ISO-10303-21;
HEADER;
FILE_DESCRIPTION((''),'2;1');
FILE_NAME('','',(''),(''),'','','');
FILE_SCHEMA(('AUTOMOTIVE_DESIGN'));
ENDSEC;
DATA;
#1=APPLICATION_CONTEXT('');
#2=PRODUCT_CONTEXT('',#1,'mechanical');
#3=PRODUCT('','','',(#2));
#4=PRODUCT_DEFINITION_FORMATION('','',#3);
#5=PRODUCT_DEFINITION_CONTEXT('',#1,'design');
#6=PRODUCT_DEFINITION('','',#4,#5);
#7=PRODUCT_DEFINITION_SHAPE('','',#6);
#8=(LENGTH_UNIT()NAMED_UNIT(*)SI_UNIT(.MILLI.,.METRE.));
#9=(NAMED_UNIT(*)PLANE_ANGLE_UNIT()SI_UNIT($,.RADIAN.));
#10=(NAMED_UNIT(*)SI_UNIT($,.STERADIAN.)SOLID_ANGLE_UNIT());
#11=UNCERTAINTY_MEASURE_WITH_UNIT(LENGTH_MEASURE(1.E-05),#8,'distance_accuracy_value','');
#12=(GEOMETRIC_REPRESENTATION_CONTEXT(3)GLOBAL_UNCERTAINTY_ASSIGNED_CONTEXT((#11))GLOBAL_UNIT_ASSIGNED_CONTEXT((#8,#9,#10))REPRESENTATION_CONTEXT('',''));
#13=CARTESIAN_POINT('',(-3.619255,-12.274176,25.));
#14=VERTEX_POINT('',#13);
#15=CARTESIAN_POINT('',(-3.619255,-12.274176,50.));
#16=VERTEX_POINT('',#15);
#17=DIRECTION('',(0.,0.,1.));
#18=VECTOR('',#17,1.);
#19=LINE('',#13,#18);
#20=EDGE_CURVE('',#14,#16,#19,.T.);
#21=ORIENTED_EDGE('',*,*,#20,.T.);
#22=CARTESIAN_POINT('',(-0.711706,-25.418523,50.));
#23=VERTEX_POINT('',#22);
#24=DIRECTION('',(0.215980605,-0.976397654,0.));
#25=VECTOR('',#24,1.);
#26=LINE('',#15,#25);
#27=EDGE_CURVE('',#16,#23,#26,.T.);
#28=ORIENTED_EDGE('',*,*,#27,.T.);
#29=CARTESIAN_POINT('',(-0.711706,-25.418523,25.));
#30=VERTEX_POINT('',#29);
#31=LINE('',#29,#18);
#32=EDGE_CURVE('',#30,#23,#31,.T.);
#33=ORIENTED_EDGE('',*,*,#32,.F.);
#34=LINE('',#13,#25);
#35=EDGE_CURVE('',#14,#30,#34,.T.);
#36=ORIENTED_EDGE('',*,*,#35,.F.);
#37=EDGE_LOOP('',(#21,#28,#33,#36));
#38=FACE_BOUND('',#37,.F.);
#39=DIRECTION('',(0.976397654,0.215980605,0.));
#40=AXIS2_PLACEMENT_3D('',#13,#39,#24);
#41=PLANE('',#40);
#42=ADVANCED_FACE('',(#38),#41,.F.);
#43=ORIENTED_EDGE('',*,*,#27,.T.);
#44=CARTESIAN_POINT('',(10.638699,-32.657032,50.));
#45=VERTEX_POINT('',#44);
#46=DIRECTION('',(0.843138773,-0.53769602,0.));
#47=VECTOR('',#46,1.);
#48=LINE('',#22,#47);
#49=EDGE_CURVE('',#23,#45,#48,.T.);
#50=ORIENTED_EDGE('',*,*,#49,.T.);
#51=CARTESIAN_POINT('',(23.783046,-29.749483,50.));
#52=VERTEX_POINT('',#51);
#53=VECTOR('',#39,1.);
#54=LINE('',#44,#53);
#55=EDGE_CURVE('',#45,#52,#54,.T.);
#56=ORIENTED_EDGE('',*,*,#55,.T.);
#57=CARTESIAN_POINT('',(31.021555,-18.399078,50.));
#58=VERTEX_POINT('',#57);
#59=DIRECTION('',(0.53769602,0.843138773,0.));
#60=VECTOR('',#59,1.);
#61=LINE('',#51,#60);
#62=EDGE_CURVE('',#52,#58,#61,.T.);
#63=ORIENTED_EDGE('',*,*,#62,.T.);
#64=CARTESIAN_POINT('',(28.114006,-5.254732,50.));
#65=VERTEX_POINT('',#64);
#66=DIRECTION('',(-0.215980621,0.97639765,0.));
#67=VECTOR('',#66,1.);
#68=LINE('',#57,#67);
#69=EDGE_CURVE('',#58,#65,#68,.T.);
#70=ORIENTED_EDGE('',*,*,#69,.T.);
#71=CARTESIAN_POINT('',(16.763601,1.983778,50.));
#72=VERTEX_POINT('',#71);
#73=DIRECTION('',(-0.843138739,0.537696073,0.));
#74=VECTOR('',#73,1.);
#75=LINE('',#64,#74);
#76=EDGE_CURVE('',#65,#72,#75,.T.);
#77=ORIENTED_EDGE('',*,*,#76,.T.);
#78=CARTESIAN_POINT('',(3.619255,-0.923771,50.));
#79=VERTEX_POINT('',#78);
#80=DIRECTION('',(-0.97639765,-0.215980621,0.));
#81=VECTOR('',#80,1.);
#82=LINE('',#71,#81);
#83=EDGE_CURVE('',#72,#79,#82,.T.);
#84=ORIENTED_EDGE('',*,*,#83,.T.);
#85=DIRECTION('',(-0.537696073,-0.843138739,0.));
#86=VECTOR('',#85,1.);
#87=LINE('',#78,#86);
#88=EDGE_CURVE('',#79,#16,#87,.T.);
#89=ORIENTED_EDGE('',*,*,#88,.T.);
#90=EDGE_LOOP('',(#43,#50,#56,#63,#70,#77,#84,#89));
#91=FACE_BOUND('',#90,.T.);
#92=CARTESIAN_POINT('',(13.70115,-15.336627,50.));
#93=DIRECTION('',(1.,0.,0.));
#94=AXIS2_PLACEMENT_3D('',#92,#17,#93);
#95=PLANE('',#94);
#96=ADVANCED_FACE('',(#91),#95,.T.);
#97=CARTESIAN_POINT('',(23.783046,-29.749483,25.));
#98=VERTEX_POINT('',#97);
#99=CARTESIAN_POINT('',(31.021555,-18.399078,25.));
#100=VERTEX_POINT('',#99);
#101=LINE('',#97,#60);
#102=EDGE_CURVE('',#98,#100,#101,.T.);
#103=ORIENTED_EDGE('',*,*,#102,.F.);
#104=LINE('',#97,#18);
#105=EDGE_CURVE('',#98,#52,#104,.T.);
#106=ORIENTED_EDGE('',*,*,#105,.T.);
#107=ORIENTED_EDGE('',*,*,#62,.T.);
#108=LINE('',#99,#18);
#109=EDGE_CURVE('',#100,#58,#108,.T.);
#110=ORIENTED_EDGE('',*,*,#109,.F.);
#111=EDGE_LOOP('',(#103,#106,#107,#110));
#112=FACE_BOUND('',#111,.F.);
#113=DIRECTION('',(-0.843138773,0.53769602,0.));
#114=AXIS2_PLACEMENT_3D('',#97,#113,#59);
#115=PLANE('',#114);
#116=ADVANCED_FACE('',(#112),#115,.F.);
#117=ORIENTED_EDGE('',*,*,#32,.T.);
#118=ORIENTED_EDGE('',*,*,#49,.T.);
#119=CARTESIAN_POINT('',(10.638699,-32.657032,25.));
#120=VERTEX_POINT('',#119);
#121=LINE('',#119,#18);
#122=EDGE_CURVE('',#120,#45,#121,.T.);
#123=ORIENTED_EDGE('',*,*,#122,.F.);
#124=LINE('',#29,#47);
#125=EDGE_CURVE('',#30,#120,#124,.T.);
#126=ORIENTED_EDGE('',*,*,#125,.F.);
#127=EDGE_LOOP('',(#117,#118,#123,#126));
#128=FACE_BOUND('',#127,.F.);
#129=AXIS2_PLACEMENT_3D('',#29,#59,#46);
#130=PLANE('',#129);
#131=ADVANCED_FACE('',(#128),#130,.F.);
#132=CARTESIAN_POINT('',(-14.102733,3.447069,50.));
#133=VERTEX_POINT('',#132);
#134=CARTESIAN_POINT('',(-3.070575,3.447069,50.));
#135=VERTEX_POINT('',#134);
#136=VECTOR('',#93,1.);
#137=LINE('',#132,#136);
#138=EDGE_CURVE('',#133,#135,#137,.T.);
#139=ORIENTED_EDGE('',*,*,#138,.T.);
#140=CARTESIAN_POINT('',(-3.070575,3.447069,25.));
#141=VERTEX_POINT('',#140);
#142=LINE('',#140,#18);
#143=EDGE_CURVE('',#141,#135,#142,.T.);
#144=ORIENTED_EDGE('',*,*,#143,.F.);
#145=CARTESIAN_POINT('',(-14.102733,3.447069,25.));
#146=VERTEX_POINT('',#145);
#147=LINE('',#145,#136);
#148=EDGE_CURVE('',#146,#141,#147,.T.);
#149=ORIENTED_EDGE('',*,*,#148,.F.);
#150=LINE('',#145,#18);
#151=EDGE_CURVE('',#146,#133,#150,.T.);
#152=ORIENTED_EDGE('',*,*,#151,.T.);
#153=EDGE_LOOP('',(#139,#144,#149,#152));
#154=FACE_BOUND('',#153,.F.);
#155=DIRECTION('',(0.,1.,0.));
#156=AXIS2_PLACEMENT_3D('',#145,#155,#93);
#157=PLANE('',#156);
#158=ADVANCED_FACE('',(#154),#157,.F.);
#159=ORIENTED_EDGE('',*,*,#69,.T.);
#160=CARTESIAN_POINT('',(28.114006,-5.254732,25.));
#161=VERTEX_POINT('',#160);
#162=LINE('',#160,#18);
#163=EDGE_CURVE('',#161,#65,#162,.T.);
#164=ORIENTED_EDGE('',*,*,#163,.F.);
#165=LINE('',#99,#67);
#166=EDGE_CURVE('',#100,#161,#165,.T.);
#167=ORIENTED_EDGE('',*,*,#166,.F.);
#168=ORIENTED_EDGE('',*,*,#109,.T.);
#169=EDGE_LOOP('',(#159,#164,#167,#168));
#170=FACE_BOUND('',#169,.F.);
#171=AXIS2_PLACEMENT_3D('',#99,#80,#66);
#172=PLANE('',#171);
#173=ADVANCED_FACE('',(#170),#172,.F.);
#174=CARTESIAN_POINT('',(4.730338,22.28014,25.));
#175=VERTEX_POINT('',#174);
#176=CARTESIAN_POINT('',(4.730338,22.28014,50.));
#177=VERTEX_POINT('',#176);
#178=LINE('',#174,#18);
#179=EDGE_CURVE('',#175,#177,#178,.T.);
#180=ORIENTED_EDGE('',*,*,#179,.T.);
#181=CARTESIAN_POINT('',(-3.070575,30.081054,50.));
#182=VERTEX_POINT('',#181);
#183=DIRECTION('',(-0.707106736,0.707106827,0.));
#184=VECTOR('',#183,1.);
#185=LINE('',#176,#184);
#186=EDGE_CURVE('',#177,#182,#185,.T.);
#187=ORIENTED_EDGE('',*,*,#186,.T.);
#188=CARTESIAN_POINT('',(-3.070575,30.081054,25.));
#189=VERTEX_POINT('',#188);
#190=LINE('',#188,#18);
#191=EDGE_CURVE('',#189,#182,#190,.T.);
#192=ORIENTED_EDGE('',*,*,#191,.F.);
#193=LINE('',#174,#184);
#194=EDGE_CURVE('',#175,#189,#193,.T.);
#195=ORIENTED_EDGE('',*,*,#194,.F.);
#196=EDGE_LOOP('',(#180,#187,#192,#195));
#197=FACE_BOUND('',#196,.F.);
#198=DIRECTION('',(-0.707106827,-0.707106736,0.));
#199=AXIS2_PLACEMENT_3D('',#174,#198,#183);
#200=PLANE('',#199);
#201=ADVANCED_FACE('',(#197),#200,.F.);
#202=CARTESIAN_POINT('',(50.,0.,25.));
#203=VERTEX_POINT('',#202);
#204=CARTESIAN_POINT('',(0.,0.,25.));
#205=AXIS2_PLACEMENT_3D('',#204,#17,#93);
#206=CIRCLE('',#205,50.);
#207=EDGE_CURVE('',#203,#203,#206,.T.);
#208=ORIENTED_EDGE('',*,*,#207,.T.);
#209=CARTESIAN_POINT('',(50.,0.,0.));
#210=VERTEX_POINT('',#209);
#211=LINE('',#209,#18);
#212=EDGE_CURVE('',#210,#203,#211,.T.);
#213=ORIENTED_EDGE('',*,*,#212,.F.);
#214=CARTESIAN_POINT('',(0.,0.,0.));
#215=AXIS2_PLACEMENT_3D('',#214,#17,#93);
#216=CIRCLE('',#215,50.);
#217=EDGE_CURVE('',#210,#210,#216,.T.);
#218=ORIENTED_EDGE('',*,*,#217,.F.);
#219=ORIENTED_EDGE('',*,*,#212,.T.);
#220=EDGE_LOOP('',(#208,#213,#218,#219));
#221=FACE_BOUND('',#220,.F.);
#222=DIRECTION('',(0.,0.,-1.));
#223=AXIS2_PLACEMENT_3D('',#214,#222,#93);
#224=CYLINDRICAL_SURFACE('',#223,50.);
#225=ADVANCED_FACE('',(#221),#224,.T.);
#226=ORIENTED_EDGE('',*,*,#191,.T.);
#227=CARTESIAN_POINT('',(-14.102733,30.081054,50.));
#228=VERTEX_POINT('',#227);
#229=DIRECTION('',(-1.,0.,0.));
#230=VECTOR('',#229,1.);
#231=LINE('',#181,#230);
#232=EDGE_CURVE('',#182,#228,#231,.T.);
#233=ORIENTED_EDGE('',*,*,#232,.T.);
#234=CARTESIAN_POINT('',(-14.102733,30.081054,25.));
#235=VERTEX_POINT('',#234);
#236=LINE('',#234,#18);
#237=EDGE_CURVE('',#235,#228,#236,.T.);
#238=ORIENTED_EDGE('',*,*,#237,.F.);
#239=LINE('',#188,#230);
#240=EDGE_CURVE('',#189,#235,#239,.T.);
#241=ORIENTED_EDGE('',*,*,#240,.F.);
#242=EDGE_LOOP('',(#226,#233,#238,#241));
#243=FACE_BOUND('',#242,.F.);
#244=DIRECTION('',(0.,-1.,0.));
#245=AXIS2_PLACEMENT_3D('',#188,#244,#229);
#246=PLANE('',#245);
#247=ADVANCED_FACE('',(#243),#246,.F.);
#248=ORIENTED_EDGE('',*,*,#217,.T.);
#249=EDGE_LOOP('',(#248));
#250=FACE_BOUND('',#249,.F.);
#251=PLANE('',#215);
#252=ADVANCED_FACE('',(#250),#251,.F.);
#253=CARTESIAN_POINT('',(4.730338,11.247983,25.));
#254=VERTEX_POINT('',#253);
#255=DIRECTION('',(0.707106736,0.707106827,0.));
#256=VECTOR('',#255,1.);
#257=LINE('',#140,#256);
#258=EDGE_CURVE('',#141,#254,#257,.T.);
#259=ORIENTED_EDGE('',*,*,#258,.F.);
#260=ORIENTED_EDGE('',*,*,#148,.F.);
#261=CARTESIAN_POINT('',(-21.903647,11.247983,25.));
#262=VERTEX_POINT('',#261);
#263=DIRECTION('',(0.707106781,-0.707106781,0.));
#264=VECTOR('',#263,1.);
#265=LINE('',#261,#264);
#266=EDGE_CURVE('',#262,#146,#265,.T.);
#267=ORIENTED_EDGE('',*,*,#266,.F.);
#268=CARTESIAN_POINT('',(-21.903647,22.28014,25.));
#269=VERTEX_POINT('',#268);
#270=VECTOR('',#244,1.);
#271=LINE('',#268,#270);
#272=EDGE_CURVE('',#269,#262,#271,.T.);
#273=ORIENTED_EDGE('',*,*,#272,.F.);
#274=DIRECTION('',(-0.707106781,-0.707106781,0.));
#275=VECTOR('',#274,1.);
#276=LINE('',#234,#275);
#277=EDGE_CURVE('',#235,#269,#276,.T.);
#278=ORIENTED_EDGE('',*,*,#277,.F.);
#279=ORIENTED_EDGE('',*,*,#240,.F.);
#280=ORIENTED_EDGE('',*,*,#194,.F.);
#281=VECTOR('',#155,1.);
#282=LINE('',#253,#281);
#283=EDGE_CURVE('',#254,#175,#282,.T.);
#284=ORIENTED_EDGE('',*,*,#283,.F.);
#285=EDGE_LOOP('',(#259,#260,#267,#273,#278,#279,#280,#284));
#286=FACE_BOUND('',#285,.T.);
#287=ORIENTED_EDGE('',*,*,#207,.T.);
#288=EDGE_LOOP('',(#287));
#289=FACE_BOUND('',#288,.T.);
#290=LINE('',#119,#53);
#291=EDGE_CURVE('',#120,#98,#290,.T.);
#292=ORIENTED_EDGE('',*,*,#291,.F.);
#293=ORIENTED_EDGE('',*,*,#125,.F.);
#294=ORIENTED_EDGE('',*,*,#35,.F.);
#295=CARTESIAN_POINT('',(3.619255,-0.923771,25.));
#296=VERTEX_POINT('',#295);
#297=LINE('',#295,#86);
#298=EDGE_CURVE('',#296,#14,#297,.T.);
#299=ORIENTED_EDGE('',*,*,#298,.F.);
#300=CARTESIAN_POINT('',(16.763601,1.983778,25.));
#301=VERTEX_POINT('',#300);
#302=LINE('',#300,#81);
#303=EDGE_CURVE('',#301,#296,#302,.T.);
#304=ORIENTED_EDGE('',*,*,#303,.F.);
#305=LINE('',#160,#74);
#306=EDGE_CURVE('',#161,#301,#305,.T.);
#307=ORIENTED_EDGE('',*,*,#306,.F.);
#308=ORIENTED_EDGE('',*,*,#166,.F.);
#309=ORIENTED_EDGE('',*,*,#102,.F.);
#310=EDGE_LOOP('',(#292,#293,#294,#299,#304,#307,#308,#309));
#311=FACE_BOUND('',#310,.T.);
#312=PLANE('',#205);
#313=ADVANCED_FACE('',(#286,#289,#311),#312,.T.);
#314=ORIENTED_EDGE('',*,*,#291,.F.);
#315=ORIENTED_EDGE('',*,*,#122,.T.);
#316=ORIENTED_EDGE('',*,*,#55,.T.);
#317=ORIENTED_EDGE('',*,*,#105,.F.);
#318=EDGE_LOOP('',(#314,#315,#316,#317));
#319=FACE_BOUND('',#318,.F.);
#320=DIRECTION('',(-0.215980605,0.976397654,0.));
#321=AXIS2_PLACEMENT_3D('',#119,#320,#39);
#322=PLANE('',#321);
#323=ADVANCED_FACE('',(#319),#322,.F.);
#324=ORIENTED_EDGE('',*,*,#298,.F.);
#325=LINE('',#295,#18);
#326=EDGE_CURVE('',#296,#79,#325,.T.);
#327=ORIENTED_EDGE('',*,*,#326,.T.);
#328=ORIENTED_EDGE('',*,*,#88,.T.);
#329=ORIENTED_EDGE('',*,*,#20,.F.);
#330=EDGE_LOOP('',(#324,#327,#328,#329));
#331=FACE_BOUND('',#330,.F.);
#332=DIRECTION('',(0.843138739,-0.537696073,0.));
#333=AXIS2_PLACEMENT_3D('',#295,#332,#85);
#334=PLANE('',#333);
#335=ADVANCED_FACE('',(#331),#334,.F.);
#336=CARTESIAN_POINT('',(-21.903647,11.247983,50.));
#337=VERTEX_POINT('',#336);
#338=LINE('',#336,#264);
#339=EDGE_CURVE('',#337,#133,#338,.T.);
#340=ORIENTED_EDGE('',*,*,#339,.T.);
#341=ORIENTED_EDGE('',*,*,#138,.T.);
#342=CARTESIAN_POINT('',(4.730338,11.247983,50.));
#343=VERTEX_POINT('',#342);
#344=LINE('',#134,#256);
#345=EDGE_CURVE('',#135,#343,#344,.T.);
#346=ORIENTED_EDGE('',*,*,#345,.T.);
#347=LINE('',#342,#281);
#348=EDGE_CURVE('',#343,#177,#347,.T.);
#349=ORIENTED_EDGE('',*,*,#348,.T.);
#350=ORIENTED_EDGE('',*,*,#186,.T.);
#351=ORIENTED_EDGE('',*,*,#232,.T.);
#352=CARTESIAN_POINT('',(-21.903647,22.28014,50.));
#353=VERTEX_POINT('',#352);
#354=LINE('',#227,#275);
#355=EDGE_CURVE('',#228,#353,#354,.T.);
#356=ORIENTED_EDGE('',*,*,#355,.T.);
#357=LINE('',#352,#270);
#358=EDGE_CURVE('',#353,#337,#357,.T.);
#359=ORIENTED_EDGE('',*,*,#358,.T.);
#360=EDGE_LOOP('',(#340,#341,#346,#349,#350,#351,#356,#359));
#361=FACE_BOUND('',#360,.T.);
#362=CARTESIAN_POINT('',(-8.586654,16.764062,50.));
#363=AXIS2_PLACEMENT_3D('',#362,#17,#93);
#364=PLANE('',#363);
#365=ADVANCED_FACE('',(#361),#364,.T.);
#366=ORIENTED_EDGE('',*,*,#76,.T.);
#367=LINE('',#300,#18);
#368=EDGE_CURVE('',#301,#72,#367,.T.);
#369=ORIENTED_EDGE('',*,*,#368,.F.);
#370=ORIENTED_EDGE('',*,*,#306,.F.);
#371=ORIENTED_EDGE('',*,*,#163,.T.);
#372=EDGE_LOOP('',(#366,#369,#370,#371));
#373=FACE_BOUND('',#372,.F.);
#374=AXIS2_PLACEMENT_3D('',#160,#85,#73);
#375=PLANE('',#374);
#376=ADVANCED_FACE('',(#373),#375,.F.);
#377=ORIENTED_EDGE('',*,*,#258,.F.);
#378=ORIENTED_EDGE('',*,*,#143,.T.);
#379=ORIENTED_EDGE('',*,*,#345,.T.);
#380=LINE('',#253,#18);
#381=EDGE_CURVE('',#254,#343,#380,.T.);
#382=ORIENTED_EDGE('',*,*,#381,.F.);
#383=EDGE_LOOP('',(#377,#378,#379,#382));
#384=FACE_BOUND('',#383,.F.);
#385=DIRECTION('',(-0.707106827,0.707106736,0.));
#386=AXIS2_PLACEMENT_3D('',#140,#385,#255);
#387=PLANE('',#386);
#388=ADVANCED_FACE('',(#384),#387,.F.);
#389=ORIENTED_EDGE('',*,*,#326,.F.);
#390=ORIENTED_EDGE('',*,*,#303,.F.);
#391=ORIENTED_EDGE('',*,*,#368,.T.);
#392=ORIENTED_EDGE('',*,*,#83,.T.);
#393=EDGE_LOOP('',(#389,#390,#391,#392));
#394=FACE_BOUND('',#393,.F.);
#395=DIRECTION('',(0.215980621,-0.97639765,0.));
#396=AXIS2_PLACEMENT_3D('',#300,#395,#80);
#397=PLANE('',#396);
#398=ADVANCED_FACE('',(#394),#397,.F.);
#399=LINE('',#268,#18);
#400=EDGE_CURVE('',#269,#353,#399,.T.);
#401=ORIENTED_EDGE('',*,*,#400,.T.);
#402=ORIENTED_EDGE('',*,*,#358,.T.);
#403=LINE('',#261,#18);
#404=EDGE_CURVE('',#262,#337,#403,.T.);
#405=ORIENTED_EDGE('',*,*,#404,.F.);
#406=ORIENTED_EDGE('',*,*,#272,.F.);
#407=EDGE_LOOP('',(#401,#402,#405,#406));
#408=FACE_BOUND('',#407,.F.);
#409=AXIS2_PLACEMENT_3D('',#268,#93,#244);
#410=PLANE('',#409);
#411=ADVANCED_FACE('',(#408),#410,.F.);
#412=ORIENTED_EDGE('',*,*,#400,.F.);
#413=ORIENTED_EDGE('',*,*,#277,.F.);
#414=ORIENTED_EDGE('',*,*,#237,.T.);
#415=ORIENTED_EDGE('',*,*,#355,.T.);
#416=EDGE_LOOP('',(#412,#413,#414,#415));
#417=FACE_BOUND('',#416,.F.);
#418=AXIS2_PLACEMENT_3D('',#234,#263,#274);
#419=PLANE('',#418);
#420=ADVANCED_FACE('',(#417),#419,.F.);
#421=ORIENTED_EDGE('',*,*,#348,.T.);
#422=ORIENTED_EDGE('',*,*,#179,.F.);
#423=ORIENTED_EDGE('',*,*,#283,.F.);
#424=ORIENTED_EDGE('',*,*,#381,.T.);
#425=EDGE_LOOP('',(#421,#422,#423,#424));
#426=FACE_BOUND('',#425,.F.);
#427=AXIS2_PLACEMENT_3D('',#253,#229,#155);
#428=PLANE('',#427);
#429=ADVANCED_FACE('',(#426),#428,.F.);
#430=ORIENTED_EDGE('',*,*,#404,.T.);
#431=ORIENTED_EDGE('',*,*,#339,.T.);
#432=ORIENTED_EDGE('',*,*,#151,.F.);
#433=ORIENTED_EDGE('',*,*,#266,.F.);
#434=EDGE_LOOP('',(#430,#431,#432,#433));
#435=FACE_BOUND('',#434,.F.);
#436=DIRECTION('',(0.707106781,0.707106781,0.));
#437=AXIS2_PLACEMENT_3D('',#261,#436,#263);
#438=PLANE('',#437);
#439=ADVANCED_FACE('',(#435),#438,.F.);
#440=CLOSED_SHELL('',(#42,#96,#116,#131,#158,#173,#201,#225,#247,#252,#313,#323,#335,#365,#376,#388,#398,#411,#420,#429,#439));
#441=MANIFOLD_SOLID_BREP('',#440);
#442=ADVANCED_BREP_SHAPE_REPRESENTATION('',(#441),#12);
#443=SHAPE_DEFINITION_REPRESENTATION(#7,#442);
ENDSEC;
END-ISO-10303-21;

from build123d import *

# Parameters (mm, degrees)
F0_R     = 50
F1_DEPTH = 25
F3_DEPTH = 25


with BuildPart() as f1:
    # F0 (on Top) → F1 (new body)
    with BuildSketch(Plane.XY):
        Circle(F0_R)
    extrude(amount=F1_DEPTH)

    # F2 (on face) → F3 (join)
    with BuildSketch(Plane.XY.offset(25)):
        Polygon((3.619255, -0.923771), (-3.619255, -12.274176), (-0.711706, -25.418523), (10.638699, -32.657032), (23.783046, -29.749483), (31.021555, -18.399078), (28.114006, -5.254732), (16.763601, 1.983778), align=None)
        Polygon((-3.070575, 30.081054), (-14.102733, 30.081054), (-21.903647, 22.28014), (-21.903647, 11.247983), (-14.102733, 3.447069), (-3.070575, 3.447069), (4.730338, 11.247983), (4.730338, 22.28014), align=None)
    extrude(amount=F3_DEPTH)


solid = f1.part
